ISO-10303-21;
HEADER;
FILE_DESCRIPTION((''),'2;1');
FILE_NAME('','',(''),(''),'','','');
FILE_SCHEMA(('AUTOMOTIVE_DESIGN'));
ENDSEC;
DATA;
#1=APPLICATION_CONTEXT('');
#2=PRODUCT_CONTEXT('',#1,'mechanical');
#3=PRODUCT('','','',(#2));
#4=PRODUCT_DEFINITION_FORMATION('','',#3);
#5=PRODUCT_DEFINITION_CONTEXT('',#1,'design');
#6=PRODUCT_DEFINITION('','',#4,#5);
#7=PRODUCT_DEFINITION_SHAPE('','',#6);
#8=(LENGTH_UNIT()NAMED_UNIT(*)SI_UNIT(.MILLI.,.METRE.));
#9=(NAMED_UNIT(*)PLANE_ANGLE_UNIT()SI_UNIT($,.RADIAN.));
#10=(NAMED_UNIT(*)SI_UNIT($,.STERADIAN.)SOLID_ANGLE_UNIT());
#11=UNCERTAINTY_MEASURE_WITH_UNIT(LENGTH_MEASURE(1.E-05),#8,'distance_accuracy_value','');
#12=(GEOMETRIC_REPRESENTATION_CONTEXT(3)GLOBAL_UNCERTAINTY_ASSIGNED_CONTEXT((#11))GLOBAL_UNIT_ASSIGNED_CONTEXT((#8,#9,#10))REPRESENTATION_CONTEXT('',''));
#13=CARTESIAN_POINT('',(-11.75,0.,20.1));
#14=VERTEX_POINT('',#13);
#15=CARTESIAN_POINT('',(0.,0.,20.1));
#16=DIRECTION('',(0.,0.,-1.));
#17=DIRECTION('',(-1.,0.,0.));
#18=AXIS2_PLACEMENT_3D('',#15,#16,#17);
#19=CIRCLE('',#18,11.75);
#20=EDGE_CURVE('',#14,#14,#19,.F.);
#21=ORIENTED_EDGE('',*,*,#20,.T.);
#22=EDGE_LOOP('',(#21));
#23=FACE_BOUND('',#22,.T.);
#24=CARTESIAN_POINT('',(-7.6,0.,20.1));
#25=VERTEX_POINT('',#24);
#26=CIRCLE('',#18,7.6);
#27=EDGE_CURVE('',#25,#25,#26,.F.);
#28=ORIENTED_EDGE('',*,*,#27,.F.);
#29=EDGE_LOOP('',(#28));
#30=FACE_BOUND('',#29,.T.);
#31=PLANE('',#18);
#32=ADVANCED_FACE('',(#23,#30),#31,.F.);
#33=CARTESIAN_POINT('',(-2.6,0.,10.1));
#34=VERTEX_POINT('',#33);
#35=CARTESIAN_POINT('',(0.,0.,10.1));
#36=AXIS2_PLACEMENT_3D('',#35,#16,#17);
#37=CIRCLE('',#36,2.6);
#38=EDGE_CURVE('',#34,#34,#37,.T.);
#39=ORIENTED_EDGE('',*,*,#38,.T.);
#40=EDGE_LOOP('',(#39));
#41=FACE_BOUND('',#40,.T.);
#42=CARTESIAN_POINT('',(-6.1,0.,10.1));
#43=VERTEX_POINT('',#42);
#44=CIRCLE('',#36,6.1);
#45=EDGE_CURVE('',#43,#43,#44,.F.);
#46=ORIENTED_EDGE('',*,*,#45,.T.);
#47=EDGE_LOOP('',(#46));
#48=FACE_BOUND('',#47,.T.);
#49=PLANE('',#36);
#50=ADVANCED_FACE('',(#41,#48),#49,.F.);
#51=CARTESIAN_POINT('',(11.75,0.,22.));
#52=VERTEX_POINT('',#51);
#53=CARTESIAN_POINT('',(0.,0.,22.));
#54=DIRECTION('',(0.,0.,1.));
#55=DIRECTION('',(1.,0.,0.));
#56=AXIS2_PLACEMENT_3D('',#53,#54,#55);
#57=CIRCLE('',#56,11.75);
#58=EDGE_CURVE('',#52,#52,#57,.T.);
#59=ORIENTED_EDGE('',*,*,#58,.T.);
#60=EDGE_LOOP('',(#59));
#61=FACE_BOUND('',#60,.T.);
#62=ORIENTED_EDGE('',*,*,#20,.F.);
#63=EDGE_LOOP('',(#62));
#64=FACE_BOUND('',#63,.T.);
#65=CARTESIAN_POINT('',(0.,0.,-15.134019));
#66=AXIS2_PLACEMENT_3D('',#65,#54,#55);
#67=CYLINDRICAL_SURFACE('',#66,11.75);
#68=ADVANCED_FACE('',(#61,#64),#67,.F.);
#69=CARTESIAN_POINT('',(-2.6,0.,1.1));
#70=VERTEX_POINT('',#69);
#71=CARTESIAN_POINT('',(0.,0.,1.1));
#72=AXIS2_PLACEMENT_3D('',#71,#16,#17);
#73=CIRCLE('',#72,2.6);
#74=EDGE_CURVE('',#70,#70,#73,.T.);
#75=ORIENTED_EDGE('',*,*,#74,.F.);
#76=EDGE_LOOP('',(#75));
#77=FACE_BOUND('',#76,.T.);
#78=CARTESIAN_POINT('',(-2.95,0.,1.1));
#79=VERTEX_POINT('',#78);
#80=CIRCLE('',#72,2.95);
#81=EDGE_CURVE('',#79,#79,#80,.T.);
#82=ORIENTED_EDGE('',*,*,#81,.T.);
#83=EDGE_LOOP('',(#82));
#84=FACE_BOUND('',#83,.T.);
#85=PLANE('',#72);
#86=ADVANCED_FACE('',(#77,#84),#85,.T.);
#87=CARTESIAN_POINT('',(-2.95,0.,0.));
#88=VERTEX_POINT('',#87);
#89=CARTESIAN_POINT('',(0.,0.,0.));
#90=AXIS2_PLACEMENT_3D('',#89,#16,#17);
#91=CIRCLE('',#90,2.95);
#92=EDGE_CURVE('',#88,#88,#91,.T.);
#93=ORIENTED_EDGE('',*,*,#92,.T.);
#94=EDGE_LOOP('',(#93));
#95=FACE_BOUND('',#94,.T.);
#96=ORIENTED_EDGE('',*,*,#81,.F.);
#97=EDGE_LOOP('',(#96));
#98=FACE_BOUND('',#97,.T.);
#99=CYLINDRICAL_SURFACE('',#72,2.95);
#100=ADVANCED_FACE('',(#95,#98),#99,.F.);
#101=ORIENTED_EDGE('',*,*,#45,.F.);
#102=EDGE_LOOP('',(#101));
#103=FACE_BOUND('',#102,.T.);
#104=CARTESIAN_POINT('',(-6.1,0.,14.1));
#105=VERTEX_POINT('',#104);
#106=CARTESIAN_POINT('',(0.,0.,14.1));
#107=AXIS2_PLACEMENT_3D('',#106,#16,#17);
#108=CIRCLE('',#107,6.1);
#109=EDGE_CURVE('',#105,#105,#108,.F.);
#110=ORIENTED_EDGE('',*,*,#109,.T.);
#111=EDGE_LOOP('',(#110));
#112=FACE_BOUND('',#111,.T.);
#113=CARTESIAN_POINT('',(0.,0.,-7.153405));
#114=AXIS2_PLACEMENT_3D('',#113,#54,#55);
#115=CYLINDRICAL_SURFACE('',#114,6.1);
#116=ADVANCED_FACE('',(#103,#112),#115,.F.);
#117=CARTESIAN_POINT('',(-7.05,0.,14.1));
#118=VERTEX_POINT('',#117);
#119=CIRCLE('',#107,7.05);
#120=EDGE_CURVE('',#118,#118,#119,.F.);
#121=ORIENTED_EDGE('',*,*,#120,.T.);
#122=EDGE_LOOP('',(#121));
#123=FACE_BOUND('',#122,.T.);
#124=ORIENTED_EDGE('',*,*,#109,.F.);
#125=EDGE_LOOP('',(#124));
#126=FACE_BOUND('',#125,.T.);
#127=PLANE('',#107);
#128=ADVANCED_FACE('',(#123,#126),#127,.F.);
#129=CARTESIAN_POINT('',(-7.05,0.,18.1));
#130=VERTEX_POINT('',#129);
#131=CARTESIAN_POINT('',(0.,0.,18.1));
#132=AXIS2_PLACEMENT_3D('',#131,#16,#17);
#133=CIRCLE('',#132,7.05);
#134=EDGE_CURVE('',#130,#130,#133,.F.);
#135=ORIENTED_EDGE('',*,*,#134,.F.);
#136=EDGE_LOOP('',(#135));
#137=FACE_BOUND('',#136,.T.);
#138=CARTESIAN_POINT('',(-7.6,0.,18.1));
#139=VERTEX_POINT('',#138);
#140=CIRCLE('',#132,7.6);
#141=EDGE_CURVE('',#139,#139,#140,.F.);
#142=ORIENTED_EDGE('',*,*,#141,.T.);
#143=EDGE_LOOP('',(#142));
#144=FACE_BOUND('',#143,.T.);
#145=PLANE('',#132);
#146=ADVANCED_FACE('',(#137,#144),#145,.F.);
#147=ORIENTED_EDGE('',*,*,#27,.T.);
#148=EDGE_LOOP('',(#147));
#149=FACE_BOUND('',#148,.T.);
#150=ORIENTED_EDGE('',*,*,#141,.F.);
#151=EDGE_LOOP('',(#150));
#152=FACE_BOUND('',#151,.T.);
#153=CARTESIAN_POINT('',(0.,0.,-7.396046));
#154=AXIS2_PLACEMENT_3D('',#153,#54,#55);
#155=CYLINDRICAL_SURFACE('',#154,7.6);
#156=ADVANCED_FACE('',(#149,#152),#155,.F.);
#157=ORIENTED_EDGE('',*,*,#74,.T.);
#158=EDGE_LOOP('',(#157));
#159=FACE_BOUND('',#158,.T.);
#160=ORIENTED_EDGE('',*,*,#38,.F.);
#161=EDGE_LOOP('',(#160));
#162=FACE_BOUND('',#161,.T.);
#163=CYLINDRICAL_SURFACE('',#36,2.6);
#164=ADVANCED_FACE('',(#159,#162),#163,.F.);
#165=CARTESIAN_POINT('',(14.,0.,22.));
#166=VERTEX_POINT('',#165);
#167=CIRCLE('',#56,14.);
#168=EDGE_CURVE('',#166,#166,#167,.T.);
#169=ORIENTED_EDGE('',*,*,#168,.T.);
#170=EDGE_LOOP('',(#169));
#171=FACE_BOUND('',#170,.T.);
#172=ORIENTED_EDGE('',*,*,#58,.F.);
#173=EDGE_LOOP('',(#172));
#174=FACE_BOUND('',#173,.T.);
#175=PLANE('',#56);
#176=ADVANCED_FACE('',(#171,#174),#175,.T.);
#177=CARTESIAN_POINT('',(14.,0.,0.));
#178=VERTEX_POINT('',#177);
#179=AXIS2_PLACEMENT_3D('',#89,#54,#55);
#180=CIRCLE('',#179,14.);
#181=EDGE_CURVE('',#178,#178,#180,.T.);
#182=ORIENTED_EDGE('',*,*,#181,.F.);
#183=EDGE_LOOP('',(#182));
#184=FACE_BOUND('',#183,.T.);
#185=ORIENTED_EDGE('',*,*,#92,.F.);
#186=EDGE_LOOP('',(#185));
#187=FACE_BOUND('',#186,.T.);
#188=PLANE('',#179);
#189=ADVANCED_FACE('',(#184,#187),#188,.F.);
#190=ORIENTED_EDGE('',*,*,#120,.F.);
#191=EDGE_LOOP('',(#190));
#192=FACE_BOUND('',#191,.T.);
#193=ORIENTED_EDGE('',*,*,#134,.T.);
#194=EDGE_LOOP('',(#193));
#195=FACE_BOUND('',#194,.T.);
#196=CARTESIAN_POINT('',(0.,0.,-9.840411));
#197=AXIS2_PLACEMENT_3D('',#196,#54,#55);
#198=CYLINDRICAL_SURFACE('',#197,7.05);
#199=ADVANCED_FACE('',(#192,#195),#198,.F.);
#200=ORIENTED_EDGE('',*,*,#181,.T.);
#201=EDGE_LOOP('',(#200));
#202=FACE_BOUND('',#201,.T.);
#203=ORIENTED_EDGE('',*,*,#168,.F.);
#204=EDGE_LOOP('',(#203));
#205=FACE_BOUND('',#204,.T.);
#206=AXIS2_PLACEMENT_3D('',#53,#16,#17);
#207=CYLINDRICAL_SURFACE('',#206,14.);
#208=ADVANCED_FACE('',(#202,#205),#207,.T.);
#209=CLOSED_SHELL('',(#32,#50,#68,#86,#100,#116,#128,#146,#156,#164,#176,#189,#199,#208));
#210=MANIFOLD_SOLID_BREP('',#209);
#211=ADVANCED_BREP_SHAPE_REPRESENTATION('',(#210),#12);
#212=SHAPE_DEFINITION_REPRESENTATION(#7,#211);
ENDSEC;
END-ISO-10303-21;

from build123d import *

# Parameters (mm, degrees)
SKETCH_1_R          = 14
EXTRUDE_1_DEPTH     = 22
SKETCH_2_R          = 2.95
CUT_EXTRUDE_1_DEPTH = 1.1
SKETCH_3_R          = 2.6
CUT_EXTRUDE_2_DEPTH = 9
SKETCH_5_R          = 6.1
CUT_EXTRUDE_3_DEPTH = 11.9
SKETCH_6_R          = 7.05
CUT_EXTRUDE_4_DEPTH = 7.9
SKETCH_7_R          = 7.6
CUT_EXTRUDE_5_DEPTH = 3.9
SKETCH_8_R          = 11.75
CUT_EXTRUDE_6_DEPTH = 1.9


with BuildPart() as part:
    # Эскиз1 → Бобышка-Вытянуть1 (new body)
    with BuildSketch(Plane.XY):
        Circle(SKETCH_1_R)
    extrude(amount=EXTRUDE_1_DEPTH)

    # Эскиз2 → Вырез-Вытянуть1 (cut)
    with BuildSketch(Plane(origin=(0, 0, 0), x_dir=(-1, 0, 0), z_dir=(0, 0, -1))):
        Circle(SKETCH_2_R)
    extrude(amount=-CUT_EXTRUDE_1_DEPTH, mode=Mode.SUBTRACT)

    # Эскиз3 → Вырез-Вытянуть2 (cut)
    with BuildSketch(Plane(origin=(0, 0, 1.1), x_dir=(-1, 0, 0), z_dir=(0, 0, -1))):
        Circle(SKETCH_3_R)
    extrude(amount=-CUT_EXTRUDE_2_DEPTH, mode=Mode.SUBTRACT)

    # Эскиз5 → Вырез-Вытянуть3 (cut)
    with BuildSketch(Plane.XY.offset(22)):
        Circle(SKETCH_5_R)
    extrude(amount=-CUT_EXTRUDE_3_DEPTH, mode=Mode.SUBTRACT)

    # Эскиз6 → Вырез-Вытянуть4 (cut)
    with BuildSketch(Plane.XY.offset(22)):
        Circle(SKETCH_6_R)
    extrude(amount=-CUT_EXTRUDE_4_DEPTH, mode=Mode.SUBTRACT)

    # Эскиз7 → Вырез-Вытянуть5 (cut)
    with BuildSketch(Plane.XY.offset(22)):
        Circle(SKETCH_7_R)
    extrude(amount=-CUT_EXTRUDE_5_DEPTH, mode=Mode.SUBTRACT)

    # Эскиз8 → Вырез-Вытянуть6 (cut)
    with BuildSketch(Plane.XY.offset(22)):
        Circle(SKETCH_8_R)
    extrude(amount=-CUT_EXTRUDE_6_DEPTH, mode=Mode.SUBTRACT)


solid = part.part
